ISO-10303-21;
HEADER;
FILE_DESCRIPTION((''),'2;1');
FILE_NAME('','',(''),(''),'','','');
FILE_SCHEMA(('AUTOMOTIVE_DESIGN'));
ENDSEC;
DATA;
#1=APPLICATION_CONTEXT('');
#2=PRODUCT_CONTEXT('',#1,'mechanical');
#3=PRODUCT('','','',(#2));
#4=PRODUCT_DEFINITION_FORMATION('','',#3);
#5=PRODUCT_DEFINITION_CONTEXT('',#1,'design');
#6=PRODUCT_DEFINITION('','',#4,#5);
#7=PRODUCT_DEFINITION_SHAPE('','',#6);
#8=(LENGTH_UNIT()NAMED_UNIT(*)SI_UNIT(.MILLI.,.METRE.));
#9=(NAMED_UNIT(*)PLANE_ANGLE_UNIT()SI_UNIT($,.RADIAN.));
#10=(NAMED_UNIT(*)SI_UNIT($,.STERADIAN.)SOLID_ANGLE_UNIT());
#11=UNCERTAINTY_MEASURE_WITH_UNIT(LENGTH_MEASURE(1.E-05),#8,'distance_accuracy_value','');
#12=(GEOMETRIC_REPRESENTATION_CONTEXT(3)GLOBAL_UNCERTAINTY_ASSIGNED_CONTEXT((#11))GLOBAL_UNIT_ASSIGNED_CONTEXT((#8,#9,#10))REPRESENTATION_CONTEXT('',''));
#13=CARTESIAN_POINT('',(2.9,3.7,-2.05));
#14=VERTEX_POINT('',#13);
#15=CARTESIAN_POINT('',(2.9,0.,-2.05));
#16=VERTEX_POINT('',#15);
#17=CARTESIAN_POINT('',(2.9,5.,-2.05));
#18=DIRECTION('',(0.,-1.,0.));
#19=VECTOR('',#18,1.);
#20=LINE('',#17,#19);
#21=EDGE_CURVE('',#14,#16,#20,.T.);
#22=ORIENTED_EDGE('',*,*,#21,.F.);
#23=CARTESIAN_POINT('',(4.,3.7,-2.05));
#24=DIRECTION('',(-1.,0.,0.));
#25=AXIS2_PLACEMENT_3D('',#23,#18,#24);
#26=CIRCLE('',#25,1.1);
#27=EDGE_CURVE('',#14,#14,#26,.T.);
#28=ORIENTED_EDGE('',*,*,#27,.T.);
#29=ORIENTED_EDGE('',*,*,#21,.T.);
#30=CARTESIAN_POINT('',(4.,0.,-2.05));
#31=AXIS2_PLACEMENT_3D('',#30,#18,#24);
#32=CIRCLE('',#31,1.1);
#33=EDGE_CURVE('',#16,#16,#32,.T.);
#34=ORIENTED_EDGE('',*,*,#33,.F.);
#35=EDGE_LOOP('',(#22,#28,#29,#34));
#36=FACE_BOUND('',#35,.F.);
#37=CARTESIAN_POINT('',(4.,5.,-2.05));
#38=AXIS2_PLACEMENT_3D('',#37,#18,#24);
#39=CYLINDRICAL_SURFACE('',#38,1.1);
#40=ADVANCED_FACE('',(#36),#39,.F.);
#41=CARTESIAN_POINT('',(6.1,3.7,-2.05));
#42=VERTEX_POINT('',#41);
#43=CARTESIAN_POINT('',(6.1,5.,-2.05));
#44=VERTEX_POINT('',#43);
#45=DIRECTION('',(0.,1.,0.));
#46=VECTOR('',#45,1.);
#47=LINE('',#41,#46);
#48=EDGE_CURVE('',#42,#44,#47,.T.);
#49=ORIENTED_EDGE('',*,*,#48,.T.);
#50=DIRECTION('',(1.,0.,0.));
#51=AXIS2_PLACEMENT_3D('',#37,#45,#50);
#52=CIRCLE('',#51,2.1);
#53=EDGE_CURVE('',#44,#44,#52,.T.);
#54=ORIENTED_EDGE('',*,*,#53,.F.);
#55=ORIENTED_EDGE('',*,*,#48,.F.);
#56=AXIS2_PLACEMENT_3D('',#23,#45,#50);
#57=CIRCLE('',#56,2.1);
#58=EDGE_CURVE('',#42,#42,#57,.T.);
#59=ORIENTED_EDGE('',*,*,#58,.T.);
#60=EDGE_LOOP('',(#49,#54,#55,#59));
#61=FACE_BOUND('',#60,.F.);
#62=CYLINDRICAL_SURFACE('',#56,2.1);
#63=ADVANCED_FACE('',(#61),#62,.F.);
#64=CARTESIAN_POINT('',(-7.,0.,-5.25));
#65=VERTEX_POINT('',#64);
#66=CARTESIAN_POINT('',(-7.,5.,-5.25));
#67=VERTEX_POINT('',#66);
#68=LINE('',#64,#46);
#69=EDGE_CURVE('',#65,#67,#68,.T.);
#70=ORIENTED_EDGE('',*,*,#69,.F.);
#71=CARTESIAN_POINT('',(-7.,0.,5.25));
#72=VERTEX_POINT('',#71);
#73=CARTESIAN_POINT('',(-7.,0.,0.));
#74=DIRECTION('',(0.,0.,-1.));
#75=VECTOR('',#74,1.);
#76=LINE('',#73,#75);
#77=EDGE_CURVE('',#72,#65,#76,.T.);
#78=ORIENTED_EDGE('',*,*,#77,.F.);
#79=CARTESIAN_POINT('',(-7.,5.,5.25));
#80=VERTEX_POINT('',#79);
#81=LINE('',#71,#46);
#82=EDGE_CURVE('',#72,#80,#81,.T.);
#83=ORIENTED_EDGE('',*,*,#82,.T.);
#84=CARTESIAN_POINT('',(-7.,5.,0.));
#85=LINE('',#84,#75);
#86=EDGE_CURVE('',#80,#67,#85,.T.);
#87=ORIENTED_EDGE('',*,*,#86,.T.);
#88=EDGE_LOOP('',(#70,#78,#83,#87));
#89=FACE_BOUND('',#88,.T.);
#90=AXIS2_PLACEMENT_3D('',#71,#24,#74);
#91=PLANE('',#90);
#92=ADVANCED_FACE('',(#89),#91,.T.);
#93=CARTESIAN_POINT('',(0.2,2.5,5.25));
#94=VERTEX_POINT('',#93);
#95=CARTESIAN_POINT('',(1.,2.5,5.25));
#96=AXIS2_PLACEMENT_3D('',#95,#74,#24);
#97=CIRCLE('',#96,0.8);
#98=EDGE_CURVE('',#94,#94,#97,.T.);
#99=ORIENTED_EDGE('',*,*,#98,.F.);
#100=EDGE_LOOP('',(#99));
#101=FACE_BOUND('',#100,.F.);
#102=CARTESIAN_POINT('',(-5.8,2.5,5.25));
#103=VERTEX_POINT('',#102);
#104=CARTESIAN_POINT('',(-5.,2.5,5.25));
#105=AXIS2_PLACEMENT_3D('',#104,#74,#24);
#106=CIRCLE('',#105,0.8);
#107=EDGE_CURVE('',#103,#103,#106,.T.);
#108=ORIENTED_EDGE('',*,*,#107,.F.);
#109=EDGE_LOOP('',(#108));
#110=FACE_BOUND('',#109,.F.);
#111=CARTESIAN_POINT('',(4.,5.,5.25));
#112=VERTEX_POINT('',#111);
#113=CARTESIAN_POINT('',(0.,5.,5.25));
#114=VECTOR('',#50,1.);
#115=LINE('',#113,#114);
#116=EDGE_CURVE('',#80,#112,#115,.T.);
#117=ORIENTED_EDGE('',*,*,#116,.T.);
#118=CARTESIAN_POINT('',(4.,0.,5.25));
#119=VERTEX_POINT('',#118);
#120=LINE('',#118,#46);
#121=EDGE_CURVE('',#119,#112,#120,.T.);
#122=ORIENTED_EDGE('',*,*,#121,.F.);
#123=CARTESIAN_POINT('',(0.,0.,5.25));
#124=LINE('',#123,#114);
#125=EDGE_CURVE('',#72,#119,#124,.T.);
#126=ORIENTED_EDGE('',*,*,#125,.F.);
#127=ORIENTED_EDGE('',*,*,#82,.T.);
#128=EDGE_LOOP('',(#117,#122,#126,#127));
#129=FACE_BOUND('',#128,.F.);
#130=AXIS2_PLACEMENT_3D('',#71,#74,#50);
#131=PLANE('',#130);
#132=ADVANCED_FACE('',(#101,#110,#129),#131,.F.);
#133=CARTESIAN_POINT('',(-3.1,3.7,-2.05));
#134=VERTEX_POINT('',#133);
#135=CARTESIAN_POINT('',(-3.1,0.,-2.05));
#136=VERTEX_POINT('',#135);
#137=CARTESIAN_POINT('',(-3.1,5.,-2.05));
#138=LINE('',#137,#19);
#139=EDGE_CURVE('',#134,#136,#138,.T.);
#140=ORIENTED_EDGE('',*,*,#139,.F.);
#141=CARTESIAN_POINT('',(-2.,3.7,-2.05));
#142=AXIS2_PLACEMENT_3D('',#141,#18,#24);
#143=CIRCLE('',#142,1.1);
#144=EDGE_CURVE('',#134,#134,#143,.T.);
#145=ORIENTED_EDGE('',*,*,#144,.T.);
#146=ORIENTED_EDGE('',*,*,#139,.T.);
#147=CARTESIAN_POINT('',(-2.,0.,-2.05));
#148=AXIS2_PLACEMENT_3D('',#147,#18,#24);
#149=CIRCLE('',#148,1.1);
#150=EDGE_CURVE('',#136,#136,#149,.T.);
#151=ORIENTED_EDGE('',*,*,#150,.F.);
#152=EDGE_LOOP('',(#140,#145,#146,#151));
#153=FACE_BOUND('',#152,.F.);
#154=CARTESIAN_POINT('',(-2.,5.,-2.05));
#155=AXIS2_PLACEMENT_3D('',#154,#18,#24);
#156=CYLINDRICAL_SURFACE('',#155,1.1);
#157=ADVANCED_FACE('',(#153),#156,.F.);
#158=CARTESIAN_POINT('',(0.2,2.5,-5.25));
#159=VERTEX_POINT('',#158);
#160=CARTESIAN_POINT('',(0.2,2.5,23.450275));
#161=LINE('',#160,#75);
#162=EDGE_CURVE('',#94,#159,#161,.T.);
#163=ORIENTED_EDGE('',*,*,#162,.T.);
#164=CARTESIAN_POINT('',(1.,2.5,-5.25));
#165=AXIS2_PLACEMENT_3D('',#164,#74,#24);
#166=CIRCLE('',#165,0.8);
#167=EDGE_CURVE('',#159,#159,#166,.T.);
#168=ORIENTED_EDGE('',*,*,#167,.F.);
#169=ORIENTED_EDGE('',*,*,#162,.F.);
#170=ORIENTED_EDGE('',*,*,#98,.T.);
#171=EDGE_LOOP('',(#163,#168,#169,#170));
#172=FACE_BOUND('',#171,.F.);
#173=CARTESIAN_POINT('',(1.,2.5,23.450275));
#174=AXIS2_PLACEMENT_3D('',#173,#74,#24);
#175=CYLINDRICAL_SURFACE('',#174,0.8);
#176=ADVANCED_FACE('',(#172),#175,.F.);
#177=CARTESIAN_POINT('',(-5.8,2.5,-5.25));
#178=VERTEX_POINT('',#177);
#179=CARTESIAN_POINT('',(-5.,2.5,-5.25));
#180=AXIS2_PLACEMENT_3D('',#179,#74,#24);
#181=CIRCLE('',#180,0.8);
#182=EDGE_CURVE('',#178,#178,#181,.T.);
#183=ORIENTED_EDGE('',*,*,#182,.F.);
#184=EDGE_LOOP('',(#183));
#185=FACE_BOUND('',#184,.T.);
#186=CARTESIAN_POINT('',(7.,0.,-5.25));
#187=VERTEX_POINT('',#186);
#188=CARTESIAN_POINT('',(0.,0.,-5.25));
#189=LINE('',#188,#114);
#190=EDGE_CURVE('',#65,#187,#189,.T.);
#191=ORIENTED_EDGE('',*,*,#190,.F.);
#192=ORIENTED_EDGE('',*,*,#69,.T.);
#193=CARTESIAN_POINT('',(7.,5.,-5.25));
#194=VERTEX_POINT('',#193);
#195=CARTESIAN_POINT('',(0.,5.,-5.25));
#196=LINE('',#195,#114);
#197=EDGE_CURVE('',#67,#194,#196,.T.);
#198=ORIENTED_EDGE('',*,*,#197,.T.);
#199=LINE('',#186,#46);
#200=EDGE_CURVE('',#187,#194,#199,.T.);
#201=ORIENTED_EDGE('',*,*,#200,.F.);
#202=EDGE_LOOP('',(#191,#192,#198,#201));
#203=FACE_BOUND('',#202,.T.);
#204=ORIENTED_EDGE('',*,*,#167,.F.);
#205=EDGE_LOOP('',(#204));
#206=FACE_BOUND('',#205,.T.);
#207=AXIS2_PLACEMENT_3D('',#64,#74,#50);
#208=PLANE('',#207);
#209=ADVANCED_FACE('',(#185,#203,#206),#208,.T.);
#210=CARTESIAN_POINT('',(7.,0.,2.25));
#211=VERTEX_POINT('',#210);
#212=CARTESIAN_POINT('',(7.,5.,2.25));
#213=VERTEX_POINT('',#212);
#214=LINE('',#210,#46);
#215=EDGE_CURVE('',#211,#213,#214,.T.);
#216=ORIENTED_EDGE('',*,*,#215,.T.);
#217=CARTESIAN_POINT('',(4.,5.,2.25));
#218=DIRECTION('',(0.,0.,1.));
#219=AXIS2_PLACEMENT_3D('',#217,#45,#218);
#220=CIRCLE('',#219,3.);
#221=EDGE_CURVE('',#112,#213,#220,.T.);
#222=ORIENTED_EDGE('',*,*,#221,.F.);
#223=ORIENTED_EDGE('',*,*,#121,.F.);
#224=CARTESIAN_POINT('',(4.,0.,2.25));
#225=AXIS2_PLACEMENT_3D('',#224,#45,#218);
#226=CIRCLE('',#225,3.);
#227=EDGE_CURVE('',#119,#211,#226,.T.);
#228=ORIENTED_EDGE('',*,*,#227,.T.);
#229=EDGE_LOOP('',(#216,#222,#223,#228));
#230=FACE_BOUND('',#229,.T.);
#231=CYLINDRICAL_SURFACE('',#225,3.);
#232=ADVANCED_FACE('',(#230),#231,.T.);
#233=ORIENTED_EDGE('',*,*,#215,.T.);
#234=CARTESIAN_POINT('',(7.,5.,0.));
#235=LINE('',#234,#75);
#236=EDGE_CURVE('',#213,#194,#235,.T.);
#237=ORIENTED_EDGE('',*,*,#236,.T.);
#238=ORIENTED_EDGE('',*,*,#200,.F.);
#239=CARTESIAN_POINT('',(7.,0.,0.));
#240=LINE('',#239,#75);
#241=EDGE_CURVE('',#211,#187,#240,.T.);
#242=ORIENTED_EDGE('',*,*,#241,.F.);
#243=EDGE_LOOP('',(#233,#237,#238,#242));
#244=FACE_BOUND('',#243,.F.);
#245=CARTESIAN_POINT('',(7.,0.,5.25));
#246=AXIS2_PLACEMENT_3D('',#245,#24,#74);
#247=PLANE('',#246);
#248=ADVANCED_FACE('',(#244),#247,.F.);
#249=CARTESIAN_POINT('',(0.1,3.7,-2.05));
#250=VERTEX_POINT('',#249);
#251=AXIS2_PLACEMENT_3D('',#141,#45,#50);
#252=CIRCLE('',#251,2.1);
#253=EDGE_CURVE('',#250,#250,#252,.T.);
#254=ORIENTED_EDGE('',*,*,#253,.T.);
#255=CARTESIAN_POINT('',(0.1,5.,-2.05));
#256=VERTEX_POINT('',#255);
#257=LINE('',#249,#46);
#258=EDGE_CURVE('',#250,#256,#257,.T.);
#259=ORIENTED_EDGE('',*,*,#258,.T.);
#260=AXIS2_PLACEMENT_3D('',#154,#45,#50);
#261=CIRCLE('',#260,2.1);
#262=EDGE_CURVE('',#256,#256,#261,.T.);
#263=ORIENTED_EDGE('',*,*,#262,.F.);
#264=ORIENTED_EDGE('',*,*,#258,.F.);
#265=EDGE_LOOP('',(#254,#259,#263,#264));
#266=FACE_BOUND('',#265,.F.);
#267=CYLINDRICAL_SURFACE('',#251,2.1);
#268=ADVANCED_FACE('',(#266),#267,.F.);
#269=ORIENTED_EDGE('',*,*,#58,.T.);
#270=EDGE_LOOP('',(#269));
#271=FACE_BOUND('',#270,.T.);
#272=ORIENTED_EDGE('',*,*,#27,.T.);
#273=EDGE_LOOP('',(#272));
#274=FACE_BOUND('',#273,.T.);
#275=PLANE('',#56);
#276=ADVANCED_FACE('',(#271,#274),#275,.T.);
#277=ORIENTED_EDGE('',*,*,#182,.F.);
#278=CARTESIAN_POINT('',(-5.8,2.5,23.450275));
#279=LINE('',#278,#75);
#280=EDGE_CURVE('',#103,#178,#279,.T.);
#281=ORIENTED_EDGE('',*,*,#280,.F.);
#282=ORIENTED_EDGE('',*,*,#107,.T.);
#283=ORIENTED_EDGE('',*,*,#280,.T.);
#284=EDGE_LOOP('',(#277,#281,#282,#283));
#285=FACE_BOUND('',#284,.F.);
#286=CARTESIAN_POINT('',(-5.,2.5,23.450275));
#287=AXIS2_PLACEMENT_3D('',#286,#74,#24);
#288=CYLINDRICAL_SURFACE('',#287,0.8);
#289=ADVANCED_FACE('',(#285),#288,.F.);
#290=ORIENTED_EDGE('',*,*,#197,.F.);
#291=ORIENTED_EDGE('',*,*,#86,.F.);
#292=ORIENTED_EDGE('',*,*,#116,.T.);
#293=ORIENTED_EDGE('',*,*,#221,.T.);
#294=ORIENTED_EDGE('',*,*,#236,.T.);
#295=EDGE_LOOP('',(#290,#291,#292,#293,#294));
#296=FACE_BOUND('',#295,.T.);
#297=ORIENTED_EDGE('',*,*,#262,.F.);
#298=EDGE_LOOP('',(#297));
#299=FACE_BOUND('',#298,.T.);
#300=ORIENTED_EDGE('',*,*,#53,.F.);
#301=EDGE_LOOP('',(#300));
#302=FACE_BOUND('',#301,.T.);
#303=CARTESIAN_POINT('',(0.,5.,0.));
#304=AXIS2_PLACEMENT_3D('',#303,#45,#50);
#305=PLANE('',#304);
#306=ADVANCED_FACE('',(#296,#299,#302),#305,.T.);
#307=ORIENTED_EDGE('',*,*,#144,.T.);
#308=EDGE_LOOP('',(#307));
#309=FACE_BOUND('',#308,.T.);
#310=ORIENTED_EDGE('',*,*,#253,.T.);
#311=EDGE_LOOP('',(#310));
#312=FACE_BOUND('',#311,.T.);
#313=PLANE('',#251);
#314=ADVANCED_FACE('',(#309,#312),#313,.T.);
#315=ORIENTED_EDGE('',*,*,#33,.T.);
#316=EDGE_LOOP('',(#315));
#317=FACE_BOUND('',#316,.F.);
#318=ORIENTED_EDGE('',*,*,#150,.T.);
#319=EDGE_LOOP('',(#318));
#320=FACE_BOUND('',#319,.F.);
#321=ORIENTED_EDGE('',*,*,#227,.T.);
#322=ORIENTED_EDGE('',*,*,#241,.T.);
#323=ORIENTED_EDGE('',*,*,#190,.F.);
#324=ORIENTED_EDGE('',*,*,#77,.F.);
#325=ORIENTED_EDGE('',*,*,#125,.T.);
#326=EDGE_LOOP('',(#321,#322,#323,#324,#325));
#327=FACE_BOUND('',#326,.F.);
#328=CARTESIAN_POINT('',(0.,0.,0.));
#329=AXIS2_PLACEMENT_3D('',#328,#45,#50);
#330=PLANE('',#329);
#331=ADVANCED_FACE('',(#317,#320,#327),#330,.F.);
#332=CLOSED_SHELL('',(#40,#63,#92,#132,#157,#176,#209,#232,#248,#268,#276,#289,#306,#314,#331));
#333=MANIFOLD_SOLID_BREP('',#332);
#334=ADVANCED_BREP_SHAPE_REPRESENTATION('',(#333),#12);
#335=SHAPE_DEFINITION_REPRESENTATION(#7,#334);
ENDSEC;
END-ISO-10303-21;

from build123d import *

# Parameters (mm, degrees)
SKETCH1_W           = 14
SKETCH1_H           = 10.5
BOSS_EXTRUDE1_DEPTH = 5
HOLE1_D             = 2.2
HOLE1_CBORE_D       = 4.2
HOLE1_CBORE_DEPTH   = 1.3
FILLET_2_R          = 3
M2X0_4_5_D          = 1.6


with BuildPart() as part:
    # Sketch1 → Boss-Extrude1 (new body)
    with BuildSketch(Plane(origin=(0, 0, 0), x_dir=(1, 0, 0), z_dir=(0, 1, 0))):
        Rectangle(SKETCH1_W, SKETCH1_H)
    extrude(amount=BOSS_EXTRUDE1_DEPTH)

    # Hole1 (through all)
    with Locations(Plane(origin=(0, 5, 0), x_dir=(1, 0, 0), z_dir=(0, 1, 0))):
        with Locations((-2, 2.05), (4, 2.05)):
            CounterBoreHole(HOLE1_D / 2, HOLE1_CBORE_D / 2, HOLE1_CBORE_DEPTH)

    # ﾌｨﾚｯﾄ2
    fillet_2_edges = [part.edges().sort_by_distance(p)[0] for p in [
        (7, 2.5, 5.25),
    ]]
    fillet(fillet_2_edges, radius=FILLET_2_R)

    # M2x0.4 ねじ穴5 (through all)
    with Locations(Plane(origin=(-5, 2.5, 5.25), x_dir=(1, 0, 0), z_dir=(0, 0, 1))):
        with Locations((0, 0), (6, 0)):
            Hole(M2X0_4_5_D / 2)


solid = part.part
